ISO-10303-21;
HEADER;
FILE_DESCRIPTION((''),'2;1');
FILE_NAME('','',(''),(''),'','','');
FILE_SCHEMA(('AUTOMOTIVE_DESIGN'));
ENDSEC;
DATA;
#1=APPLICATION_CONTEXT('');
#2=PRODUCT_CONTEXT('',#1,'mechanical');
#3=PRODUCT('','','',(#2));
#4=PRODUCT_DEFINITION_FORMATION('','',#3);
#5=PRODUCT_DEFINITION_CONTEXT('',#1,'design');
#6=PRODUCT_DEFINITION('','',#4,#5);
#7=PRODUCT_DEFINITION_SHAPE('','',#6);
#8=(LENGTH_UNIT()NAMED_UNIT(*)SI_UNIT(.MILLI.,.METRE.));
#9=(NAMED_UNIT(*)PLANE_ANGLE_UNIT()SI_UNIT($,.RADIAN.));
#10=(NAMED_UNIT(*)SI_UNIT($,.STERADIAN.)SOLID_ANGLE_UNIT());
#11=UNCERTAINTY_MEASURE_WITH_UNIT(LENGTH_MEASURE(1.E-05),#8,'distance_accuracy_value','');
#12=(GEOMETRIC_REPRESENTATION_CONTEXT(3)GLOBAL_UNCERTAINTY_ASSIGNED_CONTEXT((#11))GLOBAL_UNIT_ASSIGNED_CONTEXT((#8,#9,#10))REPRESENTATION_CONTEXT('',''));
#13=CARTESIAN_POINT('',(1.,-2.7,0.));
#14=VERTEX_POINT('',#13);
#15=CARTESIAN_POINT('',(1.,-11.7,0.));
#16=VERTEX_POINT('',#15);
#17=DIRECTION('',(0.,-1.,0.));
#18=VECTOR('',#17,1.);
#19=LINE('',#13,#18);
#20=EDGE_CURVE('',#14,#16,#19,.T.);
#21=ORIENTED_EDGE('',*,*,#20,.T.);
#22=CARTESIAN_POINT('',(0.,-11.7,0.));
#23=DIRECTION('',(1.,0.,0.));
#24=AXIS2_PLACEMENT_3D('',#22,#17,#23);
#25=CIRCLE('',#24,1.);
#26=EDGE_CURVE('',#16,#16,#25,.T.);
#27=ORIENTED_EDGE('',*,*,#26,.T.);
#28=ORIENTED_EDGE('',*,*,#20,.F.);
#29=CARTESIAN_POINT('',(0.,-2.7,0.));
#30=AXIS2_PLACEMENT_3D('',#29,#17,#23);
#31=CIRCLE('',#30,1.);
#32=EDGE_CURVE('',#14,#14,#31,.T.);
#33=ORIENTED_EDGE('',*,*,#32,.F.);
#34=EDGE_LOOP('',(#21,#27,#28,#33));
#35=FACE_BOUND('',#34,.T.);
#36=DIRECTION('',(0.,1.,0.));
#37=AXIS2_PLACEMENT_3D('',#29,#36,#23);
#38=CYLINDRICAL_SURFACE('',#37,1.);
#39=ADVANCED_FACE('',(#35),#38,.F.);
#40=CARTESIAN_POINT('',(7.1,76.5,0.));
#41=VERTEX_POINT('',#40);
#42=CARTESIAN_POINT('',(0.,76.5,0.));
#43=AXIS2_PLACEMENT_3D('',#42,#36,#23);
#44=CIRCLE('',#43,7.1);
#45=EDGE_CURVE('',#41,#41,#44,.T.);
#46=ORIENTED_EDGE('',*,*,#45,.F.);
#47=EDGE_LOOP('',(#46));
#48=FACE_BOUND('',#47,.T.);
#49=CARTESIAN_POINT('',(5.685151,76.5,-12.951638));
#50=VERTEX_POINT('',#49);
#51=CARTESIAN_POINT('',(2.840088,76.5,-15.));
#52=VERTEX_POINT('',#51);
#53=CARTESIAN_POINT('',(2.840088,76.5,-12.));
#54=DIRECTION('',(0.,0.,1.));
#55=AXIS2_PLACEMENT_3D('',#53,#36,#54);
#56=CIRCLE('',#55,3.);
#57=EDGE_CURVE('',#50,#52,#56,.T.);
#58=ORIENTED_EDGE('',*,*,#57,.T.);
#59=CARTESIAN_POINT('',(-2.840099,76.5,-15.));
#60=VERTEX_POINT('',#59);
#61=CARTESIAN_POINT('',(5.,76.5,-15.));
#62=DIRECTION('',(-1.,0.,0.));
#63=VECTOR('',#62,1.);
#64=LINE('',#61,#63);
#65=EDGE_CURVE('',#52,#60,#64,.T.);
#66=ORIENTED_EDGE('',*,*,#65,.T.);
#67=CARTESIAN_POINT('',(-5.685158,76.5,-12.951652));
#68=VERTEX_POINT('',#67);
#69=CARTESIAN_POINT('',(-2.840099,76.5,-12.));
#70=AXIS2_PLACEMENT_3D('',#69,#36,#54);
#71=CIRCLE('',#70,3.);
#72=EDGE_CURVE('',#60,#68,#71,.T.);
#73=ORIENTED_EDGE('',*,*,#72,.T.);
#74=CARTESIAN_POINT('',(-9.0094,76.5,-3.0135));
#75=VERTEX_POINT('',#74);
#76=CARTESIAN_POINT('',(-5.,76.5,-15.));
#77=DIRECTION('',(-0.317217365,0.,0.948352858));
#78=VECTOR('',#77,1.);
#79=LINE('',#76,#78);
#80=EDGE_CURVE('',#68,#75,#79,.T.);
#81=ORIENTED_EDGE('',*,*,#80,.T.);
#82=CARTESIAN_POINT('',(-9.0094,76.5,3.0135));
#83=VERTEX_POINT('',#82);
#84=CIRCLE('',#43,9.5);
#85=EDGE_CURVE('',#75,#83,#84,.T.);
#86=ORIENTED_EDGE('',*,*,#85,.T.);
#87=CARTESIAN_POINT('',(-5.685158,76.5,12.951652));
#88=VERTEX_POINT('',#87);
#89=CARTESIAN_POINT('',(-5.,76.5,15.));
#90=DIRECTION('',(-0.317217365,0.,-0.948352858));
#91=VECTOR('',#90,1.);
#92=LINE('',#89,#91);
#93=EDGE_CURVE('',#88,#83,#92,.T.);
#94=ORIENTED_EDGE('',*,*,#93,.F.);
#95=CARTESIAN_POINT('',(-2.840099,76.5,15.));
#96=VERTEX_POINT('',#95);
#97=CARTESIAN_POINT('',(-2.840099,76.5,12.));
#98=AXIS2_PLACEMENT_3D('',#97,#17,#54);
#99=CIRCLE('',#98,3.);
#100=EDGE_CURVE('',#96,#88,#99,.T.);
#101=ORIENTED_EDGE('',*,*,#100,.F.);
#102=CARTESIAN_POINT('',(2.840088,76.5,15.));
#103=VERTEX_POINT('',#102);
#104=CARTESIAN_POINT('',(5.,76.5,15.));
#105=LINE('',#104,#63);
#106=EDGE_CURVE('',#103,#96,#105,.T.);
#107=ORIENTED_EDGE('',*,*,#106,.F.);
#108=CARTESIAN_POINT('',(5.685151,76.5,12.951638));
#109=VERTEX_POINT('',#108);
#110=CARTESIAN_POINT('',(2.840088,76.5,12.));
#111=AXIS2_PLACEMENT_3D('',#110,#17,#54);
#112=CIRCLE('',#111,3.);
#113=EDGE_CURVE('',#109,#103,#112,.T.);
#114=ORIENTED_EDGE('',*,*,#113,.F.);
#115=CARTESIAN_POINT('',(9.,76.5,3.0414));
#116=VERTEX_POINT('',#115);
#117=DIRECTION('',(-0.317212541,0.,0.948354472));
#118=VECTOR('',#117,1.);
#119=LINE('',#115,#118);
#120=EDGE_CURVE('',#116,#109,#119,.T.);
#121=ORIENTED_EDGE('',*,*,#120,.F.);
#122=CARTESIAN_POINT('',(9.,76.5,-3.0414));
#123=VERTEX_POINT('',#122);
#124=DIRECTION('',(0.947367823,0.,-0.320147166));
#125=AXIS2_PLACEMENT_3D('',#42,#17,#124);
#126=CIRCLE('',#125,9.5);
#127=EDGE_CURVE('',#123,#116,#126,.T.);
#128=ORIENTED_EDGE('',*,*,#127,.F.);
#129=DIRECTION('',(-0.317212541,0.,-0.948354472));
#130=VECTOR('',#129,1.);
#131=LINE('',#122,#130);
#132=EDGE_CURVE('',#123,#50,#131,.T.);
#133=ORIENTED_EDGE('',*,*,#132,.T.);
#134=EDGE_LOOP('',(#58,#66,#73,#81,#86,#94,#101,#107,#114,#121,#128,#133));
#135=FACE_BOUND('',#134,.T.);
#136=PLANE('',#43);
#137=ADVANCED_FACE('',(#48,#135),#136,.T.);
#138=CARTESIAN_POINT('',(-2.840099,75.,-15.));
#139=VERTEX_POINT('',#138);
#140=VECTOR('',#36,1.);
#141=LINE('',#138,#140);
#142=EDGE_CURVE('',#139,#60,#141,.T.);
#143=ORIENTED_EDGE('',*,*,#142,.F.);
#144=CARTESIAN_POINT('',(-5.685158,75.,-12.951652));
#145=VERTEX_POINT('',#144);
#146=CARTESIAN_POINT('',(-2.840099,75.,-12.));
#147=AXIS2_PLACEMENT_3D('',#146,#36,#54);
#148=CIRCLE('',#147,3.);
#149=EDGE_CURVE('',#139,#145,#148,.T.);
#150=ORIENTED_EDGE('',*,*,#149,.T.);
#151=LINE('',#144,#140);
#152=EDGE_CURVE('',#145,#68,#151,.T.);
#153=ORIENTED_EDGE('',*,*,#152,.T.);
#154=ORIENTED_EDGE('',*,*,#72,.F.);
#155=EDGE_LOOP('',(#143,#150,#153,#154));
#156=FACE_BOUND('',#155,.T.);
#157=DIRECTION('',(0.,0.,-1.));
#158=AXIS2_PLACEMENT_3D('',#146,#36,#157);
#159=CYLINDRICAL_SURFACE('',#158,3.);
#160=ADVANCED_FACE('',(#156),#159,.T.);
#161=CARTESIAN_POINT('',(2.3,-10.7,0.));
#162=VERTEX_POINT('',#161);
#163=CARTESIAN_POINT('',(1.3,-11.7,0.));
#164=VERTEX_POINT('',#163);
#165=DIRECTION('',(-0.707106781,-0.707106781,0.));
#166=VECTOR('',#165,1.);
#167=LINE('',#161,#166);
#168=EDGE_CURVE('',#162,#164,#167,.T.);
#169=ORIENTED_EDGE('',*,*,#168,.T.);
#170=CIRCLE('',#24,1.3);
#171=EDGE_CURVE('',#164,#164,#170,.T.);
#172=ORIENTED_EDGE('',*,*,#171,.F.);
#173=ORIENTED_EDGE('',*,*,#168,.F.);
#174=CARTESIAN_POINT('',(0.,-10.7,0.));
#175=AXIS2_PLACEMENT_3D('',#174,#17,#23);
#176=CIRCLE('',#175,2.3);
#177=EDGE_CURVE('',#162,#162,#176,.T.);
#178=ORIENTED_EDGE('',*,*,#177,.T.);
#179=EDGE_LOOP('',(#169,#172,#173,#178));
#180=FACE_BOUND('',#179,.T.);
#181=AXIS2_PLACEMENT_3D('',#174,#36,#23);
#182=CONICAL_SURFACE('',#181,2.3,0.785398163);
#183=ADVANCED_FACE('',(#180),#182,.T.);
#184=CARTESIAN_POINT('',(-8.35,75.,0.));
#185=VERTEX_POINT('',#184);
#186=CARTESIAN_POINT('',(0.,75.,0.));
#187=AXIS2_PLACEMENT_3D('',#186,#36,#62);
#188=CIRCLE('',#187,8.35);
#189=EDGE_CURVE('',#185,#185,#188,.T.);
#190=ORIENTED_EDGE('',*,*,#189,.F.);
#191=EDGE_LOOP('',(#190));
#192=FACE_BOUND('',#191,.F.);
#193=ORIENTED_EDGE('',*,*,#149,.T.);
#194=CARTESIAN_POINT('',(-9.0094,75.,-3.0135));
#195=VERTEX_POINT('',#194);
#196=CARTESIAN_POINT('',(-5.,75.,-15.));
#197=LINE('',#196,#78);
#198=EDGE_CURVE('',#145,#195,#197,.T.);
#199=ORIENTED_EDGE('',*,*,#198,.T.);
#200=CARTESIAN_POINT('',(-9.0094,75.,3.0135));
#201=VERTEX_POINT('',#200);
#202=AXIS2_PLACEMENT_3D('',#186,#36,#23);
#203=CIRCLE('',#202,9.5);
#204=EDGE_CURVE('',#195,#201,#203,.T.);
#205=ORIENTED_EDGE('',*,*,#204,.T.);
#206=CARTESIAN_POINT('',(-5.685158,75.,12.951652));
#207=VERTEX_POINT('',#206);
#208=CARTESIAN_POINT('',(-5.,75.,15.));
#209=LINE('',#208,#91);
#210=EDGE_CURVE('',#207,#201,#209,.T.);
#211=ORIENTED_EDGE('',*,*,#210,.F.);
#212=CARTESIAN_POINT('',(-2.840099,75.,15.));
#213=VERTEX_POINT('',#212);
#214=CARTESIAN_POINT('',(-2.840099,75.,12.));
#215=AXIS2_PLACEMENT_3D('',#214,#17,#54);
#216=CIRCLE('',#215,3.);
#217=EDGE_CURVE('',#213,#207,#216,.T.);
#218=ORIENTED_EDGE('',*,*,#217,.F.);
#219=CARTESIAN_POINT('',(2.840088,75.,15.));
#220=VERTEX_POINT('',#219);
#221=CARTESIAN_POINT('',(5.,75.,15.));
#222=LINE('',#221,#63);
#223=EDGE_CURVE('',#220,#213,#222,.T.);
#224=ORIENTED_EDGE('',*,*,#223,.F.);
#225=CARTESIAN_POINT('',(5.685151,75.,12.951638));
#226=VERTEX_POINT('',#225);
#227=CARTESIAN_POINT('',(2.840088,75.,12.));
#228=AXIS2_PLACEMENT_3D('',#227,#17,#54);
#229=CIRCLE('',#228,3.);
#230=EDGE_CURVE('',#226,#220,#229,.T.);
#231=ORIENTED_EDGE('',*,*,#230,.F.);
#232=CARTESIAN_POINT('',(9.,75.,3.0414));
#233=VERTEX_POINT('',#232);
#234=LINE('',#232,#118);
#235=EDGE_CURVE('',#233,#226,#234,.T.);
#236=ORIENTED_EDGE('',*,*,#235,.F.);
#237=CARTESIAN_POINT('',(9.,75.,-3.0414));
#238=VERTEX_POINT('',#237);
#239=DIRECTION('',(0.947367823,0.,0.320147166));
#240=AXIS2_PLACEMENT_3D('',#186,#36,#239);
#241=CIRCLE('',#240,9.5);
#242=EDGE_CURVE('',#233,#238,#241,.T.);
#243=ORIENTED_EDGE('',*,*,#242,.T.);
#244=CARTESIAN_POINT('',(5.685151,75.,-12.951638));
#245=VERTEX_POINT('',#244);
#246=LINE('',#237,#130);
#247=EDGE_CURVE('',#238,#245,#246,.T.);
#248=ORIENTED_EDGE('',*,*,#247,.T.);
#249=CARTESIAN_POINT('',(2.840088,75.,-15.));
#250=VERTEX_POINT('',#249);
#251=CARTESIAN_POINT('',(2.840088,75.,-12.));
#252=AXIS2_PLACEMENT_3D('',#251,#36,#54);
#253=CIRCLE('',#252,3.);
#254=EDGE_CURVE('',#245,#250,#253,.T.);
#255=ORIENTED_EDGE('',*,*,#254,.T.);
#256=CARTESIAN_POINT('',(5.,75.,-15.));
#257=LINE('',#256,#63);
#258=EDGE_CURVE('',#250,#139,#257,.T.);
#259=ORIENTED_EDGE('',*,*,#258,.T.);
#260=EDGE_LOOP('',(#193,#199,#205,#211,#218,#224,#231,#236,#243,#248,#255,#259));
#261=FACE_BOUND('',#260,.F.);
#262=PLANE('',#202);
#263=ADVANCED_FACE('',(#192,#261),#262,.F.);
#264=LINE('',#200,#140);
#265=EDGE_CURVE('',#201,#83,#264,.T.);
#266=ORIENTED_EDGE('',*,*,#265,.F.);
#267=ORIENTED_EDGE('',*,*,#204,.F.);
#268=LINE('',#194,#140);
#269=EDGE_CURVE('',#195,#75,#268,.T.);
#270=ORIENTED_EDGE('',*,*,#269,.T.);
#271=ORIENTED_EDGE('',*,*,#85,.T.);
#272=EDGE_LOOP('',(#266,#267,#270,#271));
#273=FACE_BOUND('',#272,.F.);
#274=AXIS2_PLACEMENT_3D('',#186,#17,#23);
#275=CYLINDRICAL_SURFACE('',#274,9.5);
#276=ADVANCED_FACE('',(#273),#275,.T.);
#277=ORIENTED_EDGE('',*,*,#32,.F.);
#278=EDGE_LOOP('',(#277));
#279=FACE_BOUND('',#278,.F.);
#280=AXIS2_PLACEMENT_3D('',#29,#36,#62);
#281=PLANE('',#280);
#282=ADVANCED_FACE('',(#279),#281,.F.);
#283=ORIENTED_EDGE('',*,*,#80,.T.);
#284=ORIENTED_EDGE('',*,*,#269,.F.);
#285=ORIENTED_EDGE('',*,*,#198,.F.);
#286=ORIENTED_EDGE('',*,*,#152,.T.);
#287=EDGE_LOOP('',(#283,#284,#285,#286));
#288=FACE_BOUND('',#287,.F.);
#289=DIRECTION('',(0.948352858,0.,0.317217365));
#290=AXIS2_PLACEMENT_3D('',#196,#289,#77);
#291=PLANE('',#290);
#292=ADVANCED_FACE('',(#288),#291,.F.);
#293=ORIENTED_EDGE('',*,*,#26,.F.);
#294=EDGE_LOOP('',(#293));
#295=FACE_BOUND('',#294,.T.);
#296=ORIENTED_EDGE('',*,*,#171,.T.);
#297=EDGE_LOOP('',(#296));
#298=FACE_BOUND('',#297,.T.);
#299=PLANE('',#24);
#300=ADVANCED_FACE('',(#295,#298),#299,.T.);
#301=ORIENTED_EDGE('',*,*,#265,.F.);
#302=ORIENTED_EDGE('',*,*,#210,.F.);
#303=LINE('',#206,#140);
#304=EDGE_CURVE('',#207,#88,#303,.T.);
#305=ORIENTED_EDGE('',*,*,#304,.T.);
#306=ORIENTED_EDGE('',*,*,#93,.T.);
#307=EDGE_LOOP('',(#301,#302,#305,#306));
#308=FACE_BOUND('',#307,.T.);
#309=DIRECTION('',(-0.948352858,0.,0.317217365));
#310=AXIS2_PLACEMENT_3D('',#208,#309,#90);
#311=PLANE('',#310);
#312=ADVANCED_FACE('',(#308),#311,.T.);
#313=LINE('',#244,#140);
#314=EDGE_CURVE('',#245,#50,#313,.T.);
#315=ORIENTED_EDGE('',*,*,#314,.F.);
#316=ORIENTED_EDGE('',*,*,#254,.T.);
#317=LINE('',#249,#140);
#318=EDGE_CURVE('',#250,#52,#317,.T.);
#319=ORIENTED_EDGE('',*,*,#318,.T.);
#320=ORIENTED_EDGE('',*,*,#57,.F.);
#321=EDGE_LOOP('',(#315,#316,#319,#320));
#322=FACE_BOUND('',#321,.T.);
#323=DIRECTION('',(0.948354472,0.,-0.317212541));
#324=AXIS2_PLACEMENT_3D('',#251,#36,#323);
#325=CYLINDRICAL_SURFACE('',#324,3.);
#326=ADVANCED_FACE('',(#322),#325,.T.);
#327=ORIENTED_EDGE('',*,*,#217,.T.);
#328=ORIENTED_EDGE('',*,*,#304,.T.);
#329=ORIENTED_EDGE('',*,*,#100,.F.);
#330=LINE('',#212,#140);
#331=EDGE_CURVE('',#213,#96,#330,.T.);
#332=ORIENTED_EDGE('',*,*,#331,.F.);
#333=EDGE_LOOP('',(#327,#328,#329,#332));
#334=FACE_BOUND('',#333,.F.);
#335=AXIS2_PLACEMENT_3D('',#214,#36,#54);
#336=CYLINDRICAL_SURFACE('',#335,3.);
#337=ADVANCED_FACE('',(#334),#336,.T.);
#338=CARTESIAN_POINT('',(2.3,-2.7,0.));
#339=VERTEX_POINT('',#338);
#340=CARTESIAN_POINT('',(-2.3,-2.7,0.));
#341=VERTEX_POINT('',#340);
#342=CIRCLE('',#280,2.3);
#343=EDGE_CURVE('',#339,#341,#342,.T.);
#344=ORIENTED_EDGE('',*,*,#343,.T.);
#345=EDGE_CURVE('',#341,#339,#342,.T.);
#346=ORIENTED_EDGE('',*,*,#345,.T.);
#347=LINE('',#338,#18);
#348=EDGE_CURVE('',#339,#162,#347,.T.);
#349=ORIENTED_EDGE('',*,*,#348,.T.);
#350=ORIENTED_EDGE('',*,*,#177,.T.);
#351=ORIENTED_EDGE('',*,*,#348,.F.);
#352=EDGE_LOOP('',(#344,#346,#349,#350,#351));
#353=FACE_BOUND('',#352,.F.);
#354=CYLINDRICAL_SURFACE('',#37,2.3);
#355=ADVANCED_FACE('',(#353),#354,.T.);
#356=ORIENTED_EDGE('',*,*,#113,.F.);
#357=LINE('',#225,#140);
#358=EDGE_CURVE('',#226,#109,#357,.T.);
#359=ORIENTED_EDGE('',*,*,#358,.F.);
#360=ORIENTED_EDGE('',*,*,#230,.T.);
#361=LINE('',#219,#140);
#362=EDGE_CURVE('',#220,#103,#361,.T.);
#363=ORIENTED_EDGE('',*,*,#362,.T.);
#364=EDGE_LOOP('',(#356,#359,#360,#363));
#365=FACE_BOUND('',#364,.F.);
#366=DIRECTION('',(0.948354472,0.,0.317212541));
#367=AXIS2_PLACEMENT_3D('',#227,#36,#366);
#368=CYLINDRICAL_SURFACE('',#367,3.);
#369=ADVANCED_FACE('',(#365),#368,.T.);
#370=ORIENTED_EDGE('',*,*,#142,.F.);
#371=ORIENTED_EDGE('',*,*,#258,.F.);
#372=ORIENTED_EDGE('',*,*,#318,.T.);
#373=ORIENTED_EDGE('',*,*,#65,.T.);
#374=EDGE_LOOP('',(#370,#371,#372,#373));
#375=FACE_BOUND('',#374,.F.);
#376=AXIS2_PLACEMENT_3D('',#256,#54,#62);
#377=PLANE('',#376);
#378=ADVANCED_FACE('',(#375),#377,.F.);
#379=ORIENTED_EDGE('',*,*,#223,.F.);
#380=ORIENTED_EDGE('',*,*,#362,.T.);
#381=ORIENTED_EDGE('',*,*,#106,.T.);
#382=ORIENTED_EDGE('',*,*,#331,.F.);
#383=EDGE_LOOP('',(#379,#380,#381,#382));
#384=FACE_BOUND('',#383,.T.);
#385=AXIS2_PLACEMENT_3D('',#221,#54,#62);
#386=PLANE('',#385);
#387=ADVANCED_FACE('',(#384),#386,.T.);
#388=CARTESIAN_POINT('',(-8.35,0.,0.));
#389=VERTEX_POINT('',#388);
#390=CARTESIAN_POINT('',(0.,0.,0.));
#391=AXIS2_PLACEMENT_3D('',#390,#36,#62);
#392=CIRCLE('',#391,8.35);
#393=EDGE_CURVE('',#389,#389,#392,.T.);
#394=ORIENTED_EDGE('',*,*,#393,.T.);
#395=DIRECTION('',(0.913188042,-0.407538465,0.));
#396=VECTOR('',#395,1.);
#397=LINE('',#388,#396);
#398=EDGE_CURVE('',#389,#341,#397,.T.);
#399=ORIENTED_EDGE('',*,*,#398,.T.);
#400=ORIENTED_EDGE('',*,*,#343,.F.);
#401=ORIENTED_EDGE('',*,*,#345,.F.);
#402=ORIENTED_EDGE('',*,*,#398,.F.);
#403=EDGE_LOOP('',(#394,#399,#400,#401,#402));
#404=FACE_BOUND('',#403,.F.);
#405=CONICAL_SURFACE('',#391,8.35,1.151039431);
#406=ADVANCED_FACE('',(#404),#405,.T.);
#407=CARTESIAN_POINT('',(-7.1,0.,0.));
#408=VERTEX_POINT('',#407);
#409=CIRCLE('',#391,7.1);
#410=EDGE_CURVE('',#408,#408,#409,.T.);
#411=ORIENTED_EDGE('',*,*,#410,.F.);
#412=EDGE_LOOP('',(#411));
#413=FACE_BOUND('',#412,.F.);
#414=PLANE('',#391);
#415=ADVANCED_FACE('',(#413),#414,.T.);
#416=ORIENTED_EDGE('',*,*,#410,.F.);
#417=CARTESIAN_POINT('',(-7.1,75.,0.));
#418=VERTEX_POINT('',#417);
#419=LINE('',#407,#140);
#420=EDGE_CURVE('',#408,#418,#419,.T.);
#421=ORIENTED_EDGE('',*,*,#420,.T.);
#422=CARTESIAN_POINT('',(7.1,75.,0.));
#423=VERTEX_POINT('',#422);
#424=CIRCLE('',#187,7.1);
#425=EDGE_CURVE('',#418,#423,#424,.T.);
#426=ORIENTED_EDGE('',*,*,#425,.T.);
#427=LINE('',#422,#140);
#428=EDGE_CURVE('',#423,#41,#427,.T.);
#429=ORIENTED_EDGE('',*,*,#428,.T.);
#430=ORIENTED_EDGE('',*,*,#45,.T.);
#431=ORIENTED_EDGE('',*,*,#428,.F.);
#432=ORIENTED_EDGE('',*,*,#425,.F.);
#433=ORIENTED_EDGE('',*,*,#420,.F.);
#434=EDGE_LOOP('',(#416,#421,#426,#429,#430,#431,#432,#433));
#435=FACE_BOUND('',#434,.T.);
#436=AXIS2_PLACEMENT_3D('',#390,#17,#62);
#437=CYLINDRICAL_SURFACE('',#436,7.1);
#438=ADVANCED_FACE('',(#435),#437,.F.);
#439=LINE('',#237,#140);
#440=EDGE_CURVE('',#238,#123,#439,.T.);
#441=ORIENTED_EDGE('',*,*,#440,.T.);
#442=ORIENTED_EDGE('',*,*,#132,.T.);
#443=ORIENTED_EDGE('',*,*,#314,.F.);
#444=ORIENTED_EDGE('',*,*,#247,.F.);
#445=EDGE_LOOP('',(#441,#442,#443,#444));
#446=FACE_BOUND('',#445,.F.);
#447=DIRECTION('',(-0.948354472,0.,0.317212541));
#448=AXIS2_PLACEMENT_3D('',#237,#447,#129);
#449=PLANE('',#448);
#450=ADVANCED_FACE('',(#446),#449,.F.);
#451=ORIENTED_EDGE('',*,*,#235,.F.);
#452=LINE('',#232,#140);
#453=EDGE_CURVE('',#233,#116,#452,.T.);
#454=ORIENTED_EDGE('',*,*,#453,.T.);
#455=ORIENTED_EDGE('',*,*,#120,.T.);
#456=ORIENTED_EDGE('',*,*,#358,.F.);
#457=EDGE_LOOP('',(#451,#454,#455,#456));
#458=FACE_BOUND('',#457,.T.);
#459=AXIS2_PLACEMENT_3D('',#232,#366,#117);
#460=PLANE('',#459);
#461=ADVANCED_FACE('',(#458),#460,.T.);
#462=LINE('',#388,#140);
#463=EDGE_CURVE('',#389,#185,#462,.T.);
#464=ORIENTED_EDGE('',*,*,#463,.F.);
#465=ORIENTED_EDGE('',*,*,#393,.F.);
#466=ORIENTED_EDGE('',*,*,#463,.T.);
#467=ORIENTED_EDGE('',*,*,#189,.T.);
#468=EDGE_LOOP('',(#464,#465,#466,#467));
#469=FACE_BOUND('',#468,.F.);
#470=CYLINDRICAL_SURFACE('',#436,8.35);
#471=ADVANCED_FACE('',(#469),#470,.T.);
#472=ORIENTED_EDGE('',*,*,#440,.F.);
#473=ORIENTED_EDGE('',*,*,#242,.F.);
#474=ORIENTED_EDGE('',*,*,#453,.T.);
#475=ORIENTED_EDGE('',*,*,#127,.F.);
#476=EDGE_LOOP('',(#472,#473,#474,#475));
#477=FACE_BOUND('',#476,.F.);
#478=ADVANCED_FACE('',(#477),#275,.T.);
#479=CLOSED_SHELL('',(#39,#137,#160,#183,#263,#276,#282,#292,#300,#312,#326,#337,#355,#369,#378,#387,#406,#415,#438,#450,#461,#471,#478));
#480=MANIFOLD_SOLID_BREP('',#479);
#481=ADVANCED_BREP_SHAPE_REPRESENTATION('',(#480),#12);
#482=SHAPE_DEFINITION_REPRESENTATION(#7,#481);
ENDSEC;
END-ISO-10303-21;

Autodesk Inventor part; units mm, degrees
ref_plane "YZ Plane" through (0, 0, 0) normal (1, 0, 0) x (0, 1, 0)
ref_plane "XZ Plane" through (0, 0, 0) normal (0, 1, 0) x (-1, 0, 0)
ref_plane "XY Plane" through (0, 0, 0) normal (0, 0, 1) x (1, 0, 0)
sketch "Sketch1" plane through (0, 0, 0) normal (0, 1, 0) x (-1, 0, 0)
  circle A0 centre (0, 0) radius 8.35
  circle A1 centre (0, 0) radius 7.1
  dimension "d0" = 16.7
  dimension "d1" = 14.2
extrude "Extrusion1" add sketch "Sketch1" along normal blind 75
sketch "Sketch2" plane through (0, 75, 0) normal (0, 1, 0) x (1, 0, 0)
  circle A0 centre (0, 0) radius 9.5
  circle A1 centre (0, 0) radius 7.1
  line L0 (9.5, -15) -> (-9.5, -15) construction
  line L1 (-9.5, -15) -> (-9.5, 15) construction
  line L2 (-9.5, 15) -> (9.5, 15) construction
  line L3 (9.5, 15) -> (9.5, -15) construction
  line L4 (9.5, -15) -> (-9.5, 15) construction
  line L5 (-9.5, -15) -> (9.5, 15) construction
  line L6 (5, 15) -> (-5, 15)
  line L7 (-5, 15) -> (-9.0094, 3.0135)
  line L8 (-9.0094, 3.0135) -> (9, 3.0414) construction
  line L9 (9, 3.0414) -> (5, 15)
  line L10 (0, 0) -> (-9.5, 0) construction
  line L11 (5, -15) -> (-5, -15)
  line L12 (-5, -15) -> (-9.0094, -3.0135)
  line L13 (9, -3.0414) -> (5, -15)
  point P0 (-9.0094, -3.0135)
  dimension "d4" = 14.2
  dimension "d5" = 19
  dimension "d6" = 30
  dimension "d7" = 5
  dimension "d8" = 5
extrude "Extrusion2" add sketch "Sketch2" along normal blind 1.5
sketch "Sketch3" plane through (0, 0, 0) normal (0, 0, 1) x (1, 0, 0)
  line L0 (8.35, 0) -> (-8.35, 0) projected
  line L1 (-8.35, 0) -> (-2.3, -2.7)
  line L2 (-2.3, -2.7) -> (0, -2.7)
  line L3 (0, -2.7) -> (0, 0) construction
  line L4 (-8.35, 0) -> (0, 0)
  line L5 (-5, 76.5) -> (5, 76.5) projected
  line L6 (-8.35, 0) -> (0, 0)
  line L7 (0, -2.7) -> (0, 0)
  line L8 (0, -18.54) -> (0, 92.34) projected
  dimension "d11" = 79.2
  dimension "d12" = 2.3
revolve "Revolution1" add sketch "Sketch3" angle 360 about axis through (0, 0, 0) along (0, 1, 0)
sketch "Sketch4" plane through (0, -2.7, 0) normal (0, -1, 0) x (1, 0, 0)
  circle A0 centre (0, 0) radius 2.3
  circle A1 centre (0, 0) radius 1
  circle A2 centre (0, 0) radius 2.3 projected
  dimension "d14" = 2
extrude "Extrusion3" add sketch "Sketch4" along normal blind 9
chamfer "Chamfer1" distance 1 angle 45 1 edges at (-2.3, -11.7, 0)
fillet "Fillet1" radius 3 4 edges at (5, 75.75, -15) (5, 75.75, 15) (-5, 75.75, -15) (-5, 75.75, 15)
sketch "Sketch5" plane through (0, 75, 0) normal (0, -1, 0) x (1, 0, 0)
  circle A0 centre (0, 0) radius 8.7914
  circle A1 centre (0, 0) radius 2.3 projected
  circle A2 centre (0, 0) radius 8.35
extrude "Extrusion4" [suppressed]
properties part number "10 mL syringe"
